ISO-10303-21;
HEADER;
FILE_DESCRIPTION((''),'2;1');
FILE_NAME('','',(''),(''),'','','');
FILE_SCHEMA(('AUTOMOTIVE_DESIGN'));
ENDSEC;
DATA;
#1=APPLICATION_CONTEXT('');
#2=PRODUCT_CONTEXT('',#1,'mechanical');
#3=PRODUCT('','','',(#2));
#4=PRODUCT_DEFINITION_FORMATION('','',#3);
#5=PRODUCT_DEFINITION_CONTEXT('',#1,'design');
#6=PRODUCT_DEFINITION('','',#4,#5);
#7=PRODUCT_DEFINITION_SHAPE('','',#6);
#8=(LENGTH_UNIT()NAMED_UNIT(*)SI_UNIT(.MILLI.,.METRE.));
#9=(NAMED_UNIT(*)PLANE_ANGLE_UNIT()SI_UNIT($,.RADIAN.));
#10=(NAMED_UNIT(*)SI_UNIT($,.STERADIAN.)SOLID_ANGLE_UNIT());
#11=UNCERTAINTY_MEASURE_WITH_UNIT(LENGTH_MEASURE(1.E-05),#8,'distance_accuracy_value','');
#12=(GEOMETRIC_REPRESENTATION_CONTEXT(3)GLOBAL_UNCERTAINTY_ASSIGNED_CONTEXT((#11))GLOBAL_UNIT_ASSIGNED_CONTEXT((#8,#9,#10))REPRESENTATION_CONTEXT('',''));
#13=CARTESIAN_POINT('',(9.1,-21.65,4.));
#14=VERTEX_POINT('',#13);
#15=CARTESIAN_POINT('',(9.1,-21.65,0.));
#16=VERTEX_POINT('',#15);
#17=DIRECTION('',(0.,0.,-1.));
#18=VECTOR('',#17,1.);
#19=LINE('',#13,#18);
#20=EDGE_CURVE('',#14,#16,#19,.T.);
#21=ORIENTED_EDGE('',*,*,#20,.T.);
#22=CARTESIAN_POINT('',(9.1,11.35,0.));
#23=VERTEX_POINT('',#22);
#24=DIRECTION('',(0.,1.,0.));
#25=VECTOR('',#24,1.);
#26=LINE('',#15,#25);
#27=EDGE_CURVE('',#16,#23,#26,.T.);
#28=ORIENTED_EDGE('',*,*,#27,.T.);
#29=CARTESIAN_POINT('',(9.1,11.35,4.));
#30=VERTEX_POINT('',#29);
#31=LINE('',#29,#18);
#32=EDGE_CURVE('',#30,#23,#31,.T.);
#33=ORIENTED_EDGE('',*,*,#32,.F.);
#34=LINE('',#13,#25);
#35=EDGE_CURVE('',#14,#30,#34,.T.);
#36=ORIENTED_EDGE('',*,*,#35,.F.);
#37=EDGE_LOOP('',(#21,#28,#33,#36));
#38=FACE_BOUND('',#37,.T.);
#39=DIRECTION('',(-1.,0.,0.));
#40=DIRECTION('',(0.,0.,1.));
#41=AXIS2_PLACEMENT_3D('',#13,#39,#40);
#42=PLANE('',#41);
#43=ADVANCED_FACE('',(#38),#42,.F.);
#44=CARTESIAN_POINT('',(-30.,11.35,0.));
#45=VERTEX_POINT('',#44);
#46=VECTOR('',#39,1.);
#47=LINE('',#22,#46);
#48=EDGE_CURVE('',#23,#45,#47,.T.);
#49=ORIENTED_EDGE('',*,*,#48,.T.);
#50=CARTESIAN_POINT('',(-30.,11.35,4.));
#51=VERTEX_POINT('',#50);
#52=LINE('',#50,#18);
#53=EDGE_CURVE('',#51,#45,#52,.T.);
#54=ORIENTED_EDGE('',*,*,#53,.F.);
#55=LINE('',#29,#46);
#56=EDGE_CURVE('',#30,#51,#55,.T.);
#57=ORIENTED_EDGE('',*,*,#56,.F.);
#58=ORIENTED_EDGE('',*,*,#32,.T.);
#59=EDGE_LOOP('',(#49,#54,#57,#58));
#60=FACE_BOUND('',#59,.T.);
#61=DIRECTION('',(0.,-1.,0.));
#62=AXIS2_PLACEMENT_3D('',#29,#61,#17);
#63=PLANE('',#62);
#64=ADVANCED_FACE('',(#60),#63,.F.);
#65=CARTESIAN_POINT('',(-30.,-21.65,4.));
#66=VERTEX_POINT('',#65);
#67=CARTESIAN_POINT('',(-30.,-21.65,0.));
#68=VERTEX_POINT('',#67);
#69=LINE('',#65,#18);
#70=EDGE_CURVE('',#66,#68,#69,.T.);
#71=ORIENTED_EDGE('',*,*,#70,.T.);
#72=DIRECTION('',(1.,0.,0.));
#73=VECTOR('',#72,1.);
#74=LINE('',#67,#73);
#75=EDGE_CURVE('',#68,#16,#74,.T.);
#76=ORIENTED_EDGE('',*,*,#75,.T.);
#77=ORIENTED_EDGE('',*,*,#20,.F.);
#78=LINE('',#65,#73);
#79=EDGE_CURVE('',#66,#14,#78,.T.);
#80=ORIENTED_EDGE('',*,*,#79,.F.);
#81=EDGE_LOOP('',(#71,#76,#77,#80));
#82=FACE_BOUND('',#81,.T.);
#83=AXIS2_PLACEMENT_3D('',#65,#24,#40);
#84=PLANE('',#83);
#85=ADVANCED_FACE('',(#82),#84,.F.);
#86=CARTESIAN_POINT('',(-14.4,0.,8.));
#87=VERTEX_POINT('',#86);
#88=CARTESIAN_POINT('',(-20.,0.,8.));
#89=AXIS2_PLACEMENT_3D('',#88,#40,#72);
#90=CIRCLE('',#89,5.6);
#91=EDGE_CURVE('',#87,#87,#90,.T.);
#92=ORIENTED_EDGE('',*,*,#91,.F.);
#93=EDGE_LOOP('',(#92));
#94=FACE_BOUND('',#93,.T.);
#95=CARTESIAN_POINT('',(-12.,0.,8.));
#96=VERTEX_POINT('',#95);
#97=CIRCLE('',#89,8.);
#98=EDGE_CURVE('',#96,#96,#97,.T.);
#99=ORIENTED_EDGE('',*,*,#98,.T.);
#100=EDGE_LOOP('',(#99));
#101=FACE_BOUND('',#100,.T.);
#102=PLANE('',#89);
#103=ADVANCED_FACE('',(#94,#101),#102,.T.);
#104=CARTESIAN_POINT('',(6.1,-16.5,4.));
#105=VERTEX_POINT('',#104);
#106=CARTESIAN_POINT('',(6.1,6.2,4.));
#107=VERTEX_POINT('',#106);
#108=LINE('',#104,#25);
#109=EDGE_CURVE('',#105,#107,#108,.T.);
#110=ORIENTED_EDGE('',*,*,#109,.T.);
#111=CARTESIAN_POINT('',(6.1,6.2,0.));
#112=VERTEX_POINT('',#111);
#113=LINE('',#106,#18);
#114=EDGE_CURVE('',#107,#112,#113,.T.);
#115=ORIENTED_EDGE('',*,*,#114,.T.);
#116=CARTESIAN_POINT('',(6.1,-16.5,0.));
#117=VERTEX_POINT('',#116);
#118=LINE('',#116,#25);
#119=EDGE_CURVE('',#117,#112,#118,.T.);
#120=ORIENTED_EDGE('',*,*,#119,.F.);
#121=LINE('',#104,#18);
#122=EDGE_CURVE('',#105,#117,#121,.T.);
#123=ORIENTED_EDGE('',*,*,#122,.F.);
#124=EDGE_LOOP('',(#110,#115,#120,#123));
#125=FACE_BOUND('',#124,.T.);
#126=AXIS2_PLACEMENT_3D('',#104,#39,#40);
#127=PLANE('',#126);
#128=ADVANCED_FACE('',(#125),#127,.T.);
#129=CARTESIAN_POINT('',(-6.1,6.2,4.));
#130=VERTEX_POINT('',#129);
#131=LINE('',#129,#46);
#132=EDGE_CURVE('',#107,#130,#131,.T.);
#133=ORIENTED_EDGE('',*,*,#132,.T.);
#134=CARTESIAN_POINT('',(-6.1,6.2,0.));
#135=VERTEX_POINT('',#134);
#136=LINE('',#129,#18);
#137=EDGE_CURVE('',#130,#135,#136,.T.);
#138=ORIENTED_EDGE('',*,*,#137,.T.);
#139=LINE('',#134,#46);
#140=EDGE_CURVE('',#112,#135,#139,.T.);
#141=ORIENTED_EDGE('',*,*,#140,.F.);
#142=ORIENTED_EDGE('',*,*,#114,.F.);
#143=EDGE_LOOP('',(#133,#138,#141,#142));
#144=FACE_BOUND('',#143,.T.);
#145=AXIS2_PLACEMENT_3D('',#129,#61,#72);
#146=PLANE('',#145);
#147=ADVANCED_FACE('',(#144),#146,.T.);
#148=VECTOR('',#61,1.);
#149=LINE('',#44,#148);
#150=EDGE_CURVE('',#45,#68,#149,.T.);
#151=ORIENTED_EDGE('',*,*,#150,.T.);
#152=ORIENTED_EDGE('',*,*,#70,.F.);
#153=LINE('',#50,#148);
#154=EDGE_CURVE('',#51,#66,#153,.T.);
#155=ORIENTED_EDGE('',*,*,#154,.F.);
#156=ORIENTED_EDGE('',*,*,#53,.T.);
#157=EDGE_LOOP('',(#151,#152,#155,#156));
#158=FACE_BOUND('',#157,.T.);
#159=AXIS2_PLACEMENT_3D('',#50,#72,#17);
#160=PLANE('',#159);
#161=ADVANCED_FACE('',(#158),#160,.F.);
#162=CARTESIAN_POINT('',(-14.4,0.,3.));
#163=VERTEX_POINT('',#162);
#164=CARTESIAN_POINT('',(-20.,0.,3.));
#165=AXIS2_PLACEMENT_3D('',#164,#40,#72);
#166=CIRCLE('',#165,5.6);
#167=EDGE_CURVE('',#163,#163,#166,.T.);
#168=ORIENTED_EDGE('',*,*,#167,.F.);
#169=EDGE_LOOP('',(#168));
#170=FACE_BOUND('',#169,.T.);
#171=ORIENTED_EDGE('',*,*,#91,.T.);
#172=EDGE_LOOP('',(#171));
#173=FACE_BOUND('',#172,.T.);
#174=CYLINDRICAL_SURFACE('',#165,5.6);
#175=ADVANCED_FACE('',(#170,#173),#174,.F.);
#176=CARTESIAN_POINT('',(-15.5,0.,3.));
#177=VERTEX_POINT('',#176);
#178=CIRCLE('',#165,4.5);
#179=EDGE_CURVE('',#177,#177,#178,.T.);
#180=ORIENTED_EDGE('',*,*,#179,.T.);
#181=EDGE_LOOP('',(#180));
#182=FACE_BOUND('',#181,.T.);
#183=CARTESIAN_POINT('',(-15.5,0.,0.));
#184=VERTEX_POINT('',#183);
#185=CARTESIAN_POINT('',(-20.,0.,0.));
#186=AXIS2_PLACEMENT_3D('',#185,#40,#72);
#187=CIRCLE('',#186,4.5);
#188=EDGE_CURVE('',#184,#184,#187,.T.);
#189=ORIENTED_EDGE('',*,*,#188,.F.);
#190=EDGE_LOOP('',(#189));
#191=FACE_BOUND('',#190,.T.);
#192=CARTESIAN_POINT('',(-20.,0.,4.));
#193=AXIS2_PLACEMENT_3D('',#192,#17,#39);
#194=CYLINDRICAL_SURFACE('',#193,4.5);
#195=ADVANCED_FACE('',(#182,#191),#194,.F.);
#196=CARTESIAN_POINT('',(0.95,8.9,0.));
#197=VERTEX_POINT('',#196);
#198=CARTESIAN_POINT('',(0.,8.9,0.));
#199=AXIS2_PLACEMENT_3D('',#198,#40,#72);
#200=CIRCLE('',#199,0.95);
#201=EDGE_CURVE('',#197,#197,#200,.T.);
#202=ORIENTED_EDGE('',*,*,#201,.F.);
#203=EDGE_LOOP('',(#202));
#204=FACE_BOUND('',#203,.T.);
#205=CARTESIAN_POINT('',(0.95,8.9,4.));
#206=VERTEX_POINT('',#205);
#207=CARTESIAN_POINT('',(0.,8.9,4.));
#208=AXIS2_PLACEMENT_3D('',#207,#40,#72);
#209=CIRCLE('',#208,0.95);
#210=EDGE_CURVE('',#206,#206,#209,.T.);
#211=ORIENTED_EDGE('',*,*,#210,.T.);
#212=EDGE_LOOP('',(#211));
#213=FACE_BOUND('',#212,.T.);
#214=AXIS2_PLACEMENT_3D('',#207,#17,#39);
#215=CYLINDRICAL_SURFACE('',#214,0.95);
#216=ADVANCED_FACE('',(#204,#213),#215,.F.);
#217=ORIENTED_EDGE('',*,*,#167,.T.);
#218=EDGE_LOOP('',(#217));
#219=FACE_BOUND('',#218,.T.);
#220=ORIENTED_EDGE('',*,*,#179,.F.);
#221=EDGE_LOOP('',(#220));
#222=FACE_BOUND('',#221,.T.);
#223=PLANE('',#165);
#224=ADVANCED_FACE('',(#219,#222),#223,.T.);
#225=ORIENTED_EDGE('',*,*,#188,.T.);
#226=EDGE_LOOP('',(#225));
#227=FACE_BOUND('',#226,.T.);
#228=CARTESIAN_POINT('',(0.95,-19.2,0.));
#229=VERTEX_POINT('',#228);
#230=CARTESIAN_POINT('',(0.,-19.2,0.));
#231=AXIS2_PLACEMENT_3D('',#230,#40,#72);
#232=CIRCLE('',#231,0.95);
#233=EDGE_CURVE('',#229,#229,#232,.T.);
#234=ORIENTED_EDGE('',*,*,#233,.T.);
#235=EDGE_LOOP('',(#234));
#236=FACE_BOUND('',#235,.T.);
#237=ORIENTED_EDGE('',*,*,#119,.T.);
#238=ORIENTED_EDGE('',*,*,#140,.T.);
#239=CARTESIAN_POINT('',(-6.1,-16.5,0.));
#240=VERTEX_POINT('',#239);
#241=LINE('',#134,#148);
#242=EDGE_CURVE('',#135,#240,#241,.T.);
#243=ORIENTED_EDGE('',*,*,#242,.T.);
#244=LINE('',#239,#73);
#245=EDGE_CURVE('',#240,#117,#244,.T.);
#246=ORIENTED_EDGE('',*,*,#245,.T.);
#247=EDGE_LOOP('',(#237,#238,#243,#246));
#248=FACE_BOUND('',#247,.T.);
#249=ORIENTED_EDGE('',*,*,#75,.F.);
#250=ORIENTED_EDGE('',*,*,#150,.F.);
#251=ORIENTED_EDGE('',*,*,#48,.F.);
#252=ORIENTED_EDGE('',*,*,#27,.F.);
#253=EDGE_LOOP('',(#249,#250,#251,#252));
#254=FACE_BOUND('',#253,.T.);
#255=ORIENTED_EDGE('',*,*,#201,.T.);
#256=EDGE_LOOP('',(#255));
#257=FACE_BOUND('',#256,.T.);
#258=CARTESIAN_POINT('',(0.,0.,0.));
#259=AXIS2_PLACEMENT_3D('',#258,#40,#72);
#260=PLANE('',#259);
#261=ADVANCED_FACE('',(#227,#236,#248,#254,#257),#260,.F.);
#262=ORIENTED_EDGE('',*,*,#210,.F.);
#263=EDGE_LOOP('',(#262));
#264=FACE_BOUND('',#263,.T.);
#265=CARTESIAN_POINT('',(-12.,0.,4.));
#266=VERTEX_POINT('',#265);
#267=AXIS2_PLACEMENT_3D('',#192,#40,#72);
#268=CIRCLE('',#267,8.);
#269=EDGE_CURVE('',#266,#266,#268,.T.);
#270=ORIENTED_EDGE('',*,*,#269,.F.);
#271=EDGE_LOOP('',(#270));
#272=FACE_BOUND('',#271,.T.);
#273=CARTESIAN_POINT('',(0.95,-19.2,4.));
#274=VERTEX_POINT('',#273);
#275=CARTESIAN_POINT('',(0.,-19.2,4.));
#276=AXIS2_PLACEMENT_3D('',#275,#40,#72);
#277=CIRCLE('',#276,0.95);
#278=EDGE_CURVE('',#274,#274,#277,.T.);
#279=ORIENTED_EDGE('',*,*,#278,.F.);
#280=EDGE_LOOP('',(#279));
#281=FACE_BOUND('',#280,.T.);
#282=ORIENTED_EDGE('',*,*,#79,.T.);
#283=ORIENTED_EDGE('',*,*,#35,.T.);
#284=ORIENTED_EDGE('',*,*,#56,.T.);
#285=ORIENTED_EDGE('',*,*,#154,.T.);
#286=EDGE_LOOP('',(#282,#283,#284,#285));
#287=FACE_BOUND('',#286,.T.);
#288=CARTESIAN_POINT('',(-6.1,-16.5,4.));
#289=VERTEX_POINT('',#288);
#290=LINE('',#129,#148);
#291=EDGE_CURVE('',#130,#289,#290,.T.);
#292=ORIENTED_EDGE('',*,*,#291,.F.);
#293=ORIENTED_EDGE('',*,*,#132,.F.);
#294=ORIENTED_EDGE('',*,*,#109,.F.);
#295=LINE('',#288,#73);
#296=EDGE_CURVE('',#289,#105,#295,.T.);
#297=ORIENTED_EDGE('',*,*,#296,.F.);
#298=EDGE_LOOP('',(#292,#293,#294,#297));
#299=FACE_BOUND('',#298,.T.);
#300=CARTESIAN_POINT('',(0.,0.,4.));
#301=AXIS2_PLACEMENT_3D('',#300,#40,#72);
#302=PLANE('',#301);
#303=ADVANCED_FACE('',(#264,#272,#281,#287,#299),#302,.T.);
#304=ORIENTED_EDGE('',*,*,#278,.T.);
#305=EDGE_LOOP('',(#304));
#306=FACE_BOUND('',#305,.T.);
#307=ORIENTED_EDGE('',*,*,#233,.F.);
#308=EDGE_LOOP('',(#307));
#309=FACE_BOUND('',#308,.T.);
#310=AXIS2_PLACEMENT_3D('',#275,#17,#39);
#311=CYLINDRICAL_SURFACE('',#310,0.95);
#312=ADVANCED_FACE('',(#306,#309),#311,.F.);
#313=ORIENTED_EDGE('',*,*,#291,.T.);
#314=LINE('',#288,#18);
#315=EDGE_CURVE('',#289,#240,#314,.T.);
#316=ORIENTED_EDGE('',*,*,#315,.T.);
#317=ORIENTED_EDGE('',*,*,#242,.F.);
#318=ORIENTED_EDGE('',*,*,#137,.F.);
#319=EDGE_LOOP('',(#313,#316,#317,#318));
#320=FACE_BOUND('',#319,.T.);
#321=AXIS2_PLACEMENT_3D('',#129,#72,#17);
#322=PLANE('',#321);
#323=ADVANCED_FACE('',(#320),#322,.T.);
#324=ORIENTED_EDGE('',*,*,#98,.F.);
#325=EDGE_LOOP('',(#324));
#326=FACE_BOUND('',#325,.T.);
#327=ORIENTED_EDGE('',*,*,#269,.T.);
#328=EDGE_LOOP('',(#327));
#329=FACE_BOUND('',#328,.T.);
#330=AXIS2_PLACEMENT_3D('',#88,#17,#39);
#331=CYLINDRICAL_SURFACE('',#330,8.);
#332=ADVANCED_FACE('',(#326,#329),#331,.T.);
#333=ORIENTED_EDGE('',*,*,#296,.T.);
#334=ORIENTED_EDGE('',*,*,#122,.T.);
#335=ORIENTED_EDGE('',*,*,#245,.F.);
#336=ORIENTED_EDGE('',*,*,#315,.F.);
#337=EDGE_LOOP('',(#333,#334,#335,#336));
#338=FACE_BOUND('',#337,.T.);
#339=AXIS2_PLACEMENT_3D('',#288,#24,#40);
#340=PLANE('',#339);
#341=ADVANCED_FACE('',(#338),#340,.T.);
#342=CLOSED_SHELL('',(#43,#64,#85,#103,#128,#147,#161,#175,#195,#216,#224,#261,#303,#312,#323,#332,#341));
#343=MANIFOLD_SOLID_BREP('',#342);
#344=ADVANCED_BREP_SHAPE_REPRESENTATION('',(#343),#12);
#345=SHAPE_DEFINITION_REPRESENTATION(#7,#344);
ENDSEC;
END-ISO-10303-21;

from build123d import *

# Parameters (mm, degrees)
SKETCH1_W           = 39.1
SKETCH1_H           = 33
SKETCH1_R           = 0.95
SKETCH1_R_2         = 4.5
SKETCH1_W_2         = 12.2
SKETCH1_H_2         = 22.7
BOSS_EXTRUDE1_DEPTH = 4
BOSS_EXTRUDE2_START = 4
SKETCH2_R           = 8
SKETCH2_R_2         = 4.403773093
BOSS_EXTRUDE2_DEPTH = 4
CUT_EXTRUDE1_START  = 8
SKETCH3_R           = 5.6
CUT_EXTRUDE1_DEPTH  = 5


with BuildPart() as part:
    # Sketch1 → Boss-Extrude1 (new body)
    with BuildSketch(Plane.XY):
        with Locations((-10.45, -5.15)):
            Rectangle(SKETCH1_W, SKETCH1_H)
        with Locations((0, 8.9)):
            Circle(SKETCH1_R, mode=Mode.SUBTRACT)
        with Locations((0, -19.2)):
            Circle(SKETCH1_R, mode=Mode.SUBTRACT)
        with Locations((-20, 0)):
            Circle(SKETCH1_R_2, mode=Mode.SUBTRACT)
        with Locations((0, -5.15)):
            Rectangle(SKETCH1_W_2, SKETCH1_H_2, mode=Mode.SUBTRACT)
    extrude(amount=BOSS_EXTRUDE1_DEPTH)

    # Sketch2 → Boss-Extrude2 (add)
    with BuildSketch(Plane.XY.offset(BOSS_EXTRUDE2_START)):
        with Locations((-20, 0)):
            Circle(SKETCH2_R)
        with Locations((-20, 0)):
            Circle(SKETCH2_R_2, mode=Mode.SUBTRACT)
    extrude(amount=BOSS_EXTRUDE2_DEPTH)

    # Sketch3 → Cut-Extrude1 (cut)
    with BuildSketch(Plane.XY.offset(CUT_EXTRUDE1_START)):
        with Locations((-20, 0)):
            Circle(SKETCH3_R)
    extrude(amount=-CUT_EXTRUDE1_DEPTH, mode=Mode.SUBTRACT)


solid = part.part
